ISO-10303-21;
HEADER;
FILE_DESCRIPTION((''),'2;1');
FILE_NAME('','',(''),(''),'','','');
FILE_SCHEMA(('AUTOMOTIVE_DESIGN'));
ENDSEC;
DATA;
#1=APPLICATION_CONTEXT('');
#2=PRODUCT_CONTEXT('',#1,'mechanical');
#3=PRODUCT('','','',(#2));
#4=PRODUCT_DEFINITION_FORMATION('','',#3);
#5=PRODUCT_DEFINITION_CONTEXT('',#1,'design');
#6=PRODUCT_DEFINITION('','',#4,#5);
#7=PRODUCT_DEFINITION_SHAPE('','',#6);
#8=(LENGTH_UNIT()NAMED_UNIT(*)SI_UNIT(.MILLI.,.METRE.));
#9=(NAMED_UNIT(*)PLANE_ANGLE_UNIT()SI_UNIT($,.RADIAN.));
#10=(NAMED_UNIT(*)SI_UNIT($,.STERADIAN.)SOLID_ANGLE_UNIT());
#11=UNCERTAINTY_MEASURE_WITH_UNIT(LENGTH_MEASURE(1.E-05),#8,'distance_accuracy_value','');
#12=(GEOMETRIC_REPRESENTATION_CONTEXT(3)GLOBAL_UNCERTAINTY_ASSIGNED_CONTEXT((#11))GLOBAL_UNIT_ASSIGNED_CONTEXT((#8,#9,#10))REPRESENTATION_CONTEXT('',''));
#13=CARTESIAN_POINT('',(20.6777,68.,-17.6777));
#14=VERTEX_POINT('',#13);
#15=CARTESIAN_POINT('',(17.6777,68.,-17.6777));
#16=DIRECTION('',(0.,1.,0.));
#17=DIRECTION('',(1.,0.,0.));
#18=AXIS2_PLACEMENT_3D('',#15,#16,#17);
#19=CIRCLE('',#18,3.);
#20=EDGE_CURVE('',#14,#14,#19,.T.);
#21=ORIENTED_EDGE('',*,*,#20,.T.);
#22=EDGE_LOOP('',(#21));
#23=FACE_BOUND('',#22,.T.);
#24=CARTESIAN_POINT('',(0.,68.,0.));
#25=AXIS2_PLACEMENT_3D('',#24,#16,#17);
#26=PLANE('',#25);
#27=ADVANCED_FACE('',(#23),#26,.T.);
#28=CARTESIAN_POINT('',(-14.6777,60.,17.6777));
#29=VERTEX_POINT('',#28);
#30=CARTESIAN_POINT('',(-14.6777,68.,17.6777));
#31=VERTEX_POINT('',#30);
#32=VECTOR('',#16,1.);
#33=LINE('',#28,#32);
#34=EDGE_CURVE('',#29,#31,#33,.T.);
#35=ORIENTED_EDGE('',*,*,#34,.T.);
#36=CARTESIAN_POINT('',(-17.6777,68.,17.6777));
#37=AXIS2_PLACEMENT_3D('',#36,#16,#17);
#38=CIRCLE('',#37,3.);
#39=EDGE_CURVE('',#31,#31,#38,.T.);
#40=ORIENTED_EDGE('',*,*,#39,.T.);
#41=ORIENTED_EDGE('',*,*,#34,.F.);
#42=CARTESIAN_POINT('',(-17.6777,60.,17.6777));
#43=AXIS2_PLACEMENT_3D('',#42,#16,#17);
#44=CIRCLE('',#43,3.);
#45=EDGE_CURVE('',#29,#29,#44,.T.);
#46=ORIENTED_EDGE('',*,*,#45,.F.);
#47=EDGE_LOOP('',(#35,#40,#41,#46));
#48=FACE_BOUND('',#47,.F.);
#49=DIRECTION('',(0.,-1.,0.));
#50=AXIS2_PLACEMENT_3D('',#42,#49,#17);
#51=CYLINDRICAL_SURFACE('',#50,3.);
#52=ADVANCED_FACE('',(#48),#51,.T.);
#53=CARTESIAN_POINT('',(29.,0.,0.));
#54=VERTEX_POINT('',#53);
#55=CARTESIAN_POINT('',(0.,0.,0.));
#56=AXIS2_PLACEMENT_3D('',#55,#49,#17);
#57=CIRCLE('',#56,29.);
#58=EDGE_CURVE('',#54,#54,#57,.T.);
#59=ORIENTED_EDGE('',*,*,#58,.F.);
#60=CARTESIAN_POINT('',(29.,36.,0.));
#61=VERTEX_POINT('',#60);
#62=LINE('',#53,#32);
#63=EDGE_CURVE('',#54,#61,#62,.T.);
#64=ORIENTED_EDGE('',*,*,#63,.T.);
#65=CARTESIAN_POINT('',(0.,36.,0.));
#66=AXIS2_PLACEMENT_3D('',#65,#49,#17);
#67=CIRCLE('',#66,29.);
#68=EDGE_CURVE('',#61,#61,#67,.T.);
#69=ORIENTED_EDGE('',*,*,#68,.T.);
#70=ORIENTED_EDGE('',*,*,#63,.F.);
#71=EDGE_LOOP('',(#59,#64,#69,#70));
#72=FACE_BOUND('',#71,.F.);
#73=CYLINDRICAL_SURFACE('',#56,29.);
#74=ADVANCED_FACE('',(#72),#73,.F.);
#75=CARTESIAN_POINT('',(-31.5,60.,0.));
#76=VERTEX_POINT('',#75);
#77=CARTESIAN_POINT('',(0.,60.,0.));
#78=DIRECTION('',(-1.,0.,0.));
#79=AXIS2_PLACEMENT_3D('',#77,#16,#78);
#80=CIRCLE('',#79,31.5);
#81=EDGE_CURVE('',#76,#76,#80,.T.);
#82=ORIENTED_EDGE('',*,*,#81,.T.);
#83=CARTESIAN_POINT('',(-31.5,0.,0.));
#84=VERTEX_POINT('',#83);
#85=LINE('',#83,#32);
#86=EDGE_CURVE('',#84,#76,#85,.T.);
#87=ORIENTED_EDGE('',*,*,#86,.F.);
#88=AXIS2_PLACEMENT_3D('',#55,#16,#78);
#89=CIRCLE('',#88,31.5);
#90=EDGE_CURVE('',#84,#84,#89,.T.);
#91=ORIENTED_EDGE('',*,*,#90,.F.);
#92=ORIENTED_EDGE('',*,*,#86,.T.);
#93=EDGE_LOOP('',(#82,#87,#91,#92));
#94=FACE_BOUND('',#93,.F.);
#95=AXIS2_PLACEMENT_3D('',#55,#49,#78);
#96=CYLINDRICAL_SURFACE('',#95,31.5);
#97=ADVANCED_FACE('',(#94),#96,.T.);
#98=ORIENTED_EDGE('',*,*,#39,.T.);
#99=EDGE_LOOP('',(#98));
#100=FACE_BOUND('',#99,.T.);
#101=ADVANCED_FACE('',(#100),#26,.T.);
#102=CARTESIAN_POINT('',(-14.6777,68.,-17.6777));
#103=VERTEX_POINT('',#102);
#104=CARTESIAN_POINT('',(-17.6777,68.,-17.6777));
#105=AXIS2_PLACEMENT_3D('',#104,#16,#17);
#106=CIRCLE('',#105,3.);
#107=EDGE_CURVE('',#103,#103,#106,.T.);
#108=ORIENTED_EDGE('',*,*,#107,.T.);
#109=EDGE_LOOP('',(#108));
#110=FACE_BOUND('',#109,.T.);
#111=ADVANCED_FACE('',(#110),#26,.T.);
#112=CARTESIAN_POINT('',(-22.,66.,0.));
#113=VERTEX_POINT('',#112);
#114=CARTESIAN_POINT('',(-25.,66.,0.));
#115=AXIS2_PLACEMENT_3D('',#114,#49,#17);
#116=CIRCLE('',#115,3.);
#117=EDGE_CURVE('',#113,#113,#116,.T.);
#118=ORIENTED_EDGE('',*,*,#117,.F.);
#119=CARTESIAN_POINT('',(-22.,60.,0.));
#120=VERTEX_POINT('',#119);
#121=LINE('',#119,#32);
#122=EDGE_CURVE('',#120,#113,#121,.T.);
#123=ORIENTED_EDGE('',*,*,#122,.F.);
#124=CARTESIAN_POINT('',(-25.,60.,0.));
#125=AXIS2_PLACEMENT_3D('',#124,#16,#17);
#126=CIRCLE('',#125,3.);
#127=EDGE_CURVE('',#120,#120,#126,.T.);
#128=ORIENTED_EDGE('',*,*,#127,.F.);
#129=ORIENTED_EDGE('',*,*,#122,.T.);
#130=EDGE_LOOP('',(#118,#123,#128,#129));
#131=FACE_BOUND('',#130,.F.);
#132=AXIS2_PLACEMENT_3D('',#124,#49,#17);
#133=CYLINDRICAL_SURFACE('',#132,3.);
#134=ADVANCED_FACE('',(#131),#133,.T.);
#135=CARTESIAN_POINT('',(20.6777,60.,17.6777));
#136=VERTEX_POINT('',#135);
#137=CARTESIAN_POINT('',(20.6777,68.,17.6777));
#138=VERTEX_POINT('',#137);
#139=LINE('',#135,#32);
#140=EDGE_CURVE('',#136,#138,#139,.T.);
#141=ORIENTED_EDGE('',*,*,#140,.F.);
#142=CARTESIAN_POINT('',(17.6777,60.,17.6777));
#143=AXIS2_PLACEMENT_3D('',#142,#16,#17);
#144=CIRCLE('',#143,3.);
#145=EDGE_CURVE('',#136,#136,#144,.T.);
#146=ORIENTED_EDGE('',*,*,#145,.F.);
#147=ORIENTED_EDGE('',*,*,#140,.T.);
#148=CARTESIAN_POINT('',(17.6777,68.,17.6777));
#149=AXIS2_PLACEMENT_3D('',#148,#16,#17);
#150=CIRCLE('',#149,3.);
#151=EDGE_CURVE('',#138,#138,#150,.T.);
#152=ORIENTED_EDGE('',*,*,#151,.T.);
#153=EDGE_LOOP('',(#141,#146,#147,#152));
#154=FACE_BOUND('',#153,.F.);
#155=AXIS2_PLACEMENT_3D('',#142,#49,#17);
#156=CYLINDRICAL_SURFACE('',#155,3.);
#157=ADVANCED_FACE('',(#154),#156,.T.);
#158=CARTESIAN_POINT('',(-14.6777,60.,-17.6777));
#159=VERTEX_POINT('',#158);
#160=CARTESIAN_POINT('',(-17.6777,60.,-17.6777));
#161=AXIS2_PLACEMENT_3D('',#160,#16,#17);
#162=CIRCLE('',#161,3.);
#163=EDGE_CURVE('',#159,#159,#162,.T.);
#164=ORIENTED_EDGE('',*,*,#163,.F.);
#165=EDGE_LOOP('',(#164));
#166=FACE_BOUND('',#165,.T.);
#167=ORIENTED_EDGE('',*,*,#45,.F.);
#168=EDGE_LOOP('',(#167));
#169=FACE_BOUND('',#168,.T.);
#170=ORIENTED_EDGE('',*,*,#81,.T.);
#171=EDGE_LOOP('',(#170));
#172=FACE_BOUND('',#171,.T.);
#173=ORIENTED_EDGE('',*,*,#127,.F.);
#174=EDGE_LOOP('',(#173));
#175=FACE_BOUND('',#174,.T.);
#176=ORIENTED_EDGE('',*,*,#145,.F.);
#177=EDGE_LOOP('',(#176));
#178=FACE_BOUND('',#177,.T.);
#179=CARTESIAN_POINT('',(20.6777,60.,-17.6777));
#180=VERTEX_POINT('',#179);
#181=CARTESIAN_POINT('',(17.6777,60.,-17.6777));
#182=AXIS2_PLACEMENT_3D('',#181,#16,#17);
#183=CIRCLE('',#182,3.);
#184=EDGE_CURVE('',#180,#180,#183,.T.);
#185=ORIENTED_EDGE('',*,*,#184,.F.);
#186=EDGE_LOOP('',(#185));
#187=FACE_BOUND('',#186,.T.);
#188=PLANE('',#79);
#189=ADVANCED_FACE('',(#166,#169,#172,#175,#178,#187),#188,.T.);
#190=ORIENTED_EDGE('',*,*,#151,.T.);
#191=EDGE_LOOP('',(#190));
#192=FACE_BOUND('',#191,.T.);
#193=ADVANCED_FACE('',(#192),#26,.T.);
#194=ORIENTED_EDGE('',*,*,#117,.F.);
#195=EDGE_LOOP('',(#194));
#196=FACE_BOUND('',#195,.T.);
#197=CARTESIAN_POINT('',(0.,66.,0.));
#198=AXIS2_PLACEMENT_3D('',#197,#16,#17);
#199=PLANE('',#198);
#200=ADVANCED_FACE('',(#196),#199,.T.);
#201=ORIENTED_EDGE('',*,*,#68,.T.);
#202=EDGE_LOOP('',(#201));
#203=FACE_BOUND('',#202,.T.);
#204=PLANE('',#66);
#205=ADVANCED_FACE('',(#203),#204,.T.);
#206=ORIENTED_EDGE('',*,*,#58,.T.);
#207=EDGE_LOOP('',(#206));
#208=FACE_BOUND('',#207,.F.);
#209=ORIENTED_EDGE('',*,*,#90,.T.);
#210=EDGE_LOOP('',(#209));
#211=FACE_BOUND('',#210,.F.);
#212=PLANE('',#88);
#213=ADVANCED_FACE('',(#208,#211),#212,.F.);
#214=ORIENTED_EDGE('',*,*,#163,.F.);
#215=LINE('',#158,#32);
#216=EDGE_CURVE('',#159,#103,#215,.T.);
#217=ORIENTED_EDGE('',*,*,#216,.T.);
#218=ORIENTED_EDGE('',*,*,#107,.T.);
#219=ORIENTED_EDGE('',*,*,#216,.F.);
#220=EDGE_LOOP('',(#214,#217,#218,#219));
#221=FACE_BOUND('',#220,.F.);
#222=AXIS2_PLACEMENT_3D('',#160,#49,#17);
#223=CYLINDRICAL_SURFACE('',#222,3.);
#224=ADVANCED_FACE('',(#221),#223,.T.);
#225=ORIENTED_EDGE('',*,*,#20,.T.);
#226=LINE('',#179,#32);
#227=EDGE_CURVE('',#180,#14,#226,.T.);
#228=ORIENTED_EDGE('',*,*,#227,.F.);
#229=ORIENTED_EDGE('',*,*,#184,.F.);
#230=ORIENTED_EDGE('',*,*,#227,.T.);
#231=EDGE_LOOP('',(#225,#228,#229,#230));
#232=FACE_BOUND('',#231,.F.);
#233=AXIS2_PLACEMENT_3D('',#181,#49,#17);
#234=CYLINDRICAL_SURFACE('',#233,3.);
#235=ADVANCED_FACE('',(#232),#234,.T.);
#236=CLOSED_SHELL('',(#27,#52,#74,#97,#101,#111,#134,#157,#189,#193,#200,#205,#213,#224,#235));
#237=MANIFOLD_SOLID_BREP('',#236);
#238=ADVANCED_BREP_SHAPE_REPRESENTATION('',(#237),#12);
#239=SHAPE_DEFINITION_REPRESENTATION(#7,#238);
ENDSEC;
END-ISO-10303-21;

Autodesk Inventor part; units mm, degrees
ref_plane "YZ Plane" through (0, 0, 0) normal (1, 0, 0) x (0, 1, 0)
ref_plane "XZ Plane" through (0, 0, 0) normal (0, 1, 0) x (-1, 0, 0)
ref_plane "XY Plane" through (0, 0, 0) normal (0, 0, 1) x (1, 0, 0)
sketch "Sketch4" plane through (0, 0, 0) normal (0, 1, 0) x (-1, 0, 0)
  circle A0 centre (0, 0) radius 31.5
  dimension "d7" = 63
extrude "Extrusion4" add sketch "Sketch4" along normal blind 60
sketch "Sketch6" plane through (0, 60, 0) normal (0, 1, 0) x (1, 0, 0)
  circle A0 centre (0, 0) radius 25
  circle A1 centre (-25, 0) radius 3
  dimension "d22" = 50
  dimension "d23" = 6
extrude "Extrusion6" add sketch "Sketch6" along normal blind 6 contours A1 A0 | A0 A1 picked at (-23.9867, 0) picked at (-25.9867, 0)
sketch "Sketch7" plane through (0, 60, 0) normal (0, 1, 0) x (1, 0, 0)
  line L0 (0, 0) -> (21.0028, 0) construction
  line L1 (0, 0) -> (25, 0) construction
  line L2 (0, 0) -> (25, 0) construction
  circle A0 centre (-17.6777, -17.6777) radius 3
  circle A1 centre (-17.6777, 17.6777) radius 3
  circle A2 centre (17.6777, 17.6777) radius 3
  circle A3 centre (17.6777, -17.6777) radius 3
  dimension "d34" = 6
  dimension "d35" = 6
  dimension "d36" = 6
  dimension "d37" = 6
extrude "Extrusion7" add sketch "Sketch7" along normal blind 8
thread "Thread1" size "M6x1" class "6g" standard "ISO Metric profile" full length
thread "Thread2" size "M6x1" class "6g" standard "ANSI Metric M Profile" full length
thread "Thread3" size "M6x1" class "6g" standard "ANSI Metric M Profile" full length
thread "Thread4" size "M6x1" class "6g" standard "ANSI Metric M Profile" full length
sketch "Sketch8" plane through (0, 0, 0) normal (0, -1, 0) x (1, 0, 0)
  circle A0 centre (0, 0) radius 29
extrude "Extrusion8" cut sketch "Sketch8" against normal blind 36
thread "Thread5" size "M58x4" class "6H" standard "ANSI Metric M Profile" full length
sketch "Sketch9" plane through (0, 36, 0) normal (0, -1, 0) x (1, 0, 0)
  point P0 (0, 0)
thread "Thread6" size "M58x3" class "6H" standard "ANSI Metric M Profile" full length
properties part number "platform"
